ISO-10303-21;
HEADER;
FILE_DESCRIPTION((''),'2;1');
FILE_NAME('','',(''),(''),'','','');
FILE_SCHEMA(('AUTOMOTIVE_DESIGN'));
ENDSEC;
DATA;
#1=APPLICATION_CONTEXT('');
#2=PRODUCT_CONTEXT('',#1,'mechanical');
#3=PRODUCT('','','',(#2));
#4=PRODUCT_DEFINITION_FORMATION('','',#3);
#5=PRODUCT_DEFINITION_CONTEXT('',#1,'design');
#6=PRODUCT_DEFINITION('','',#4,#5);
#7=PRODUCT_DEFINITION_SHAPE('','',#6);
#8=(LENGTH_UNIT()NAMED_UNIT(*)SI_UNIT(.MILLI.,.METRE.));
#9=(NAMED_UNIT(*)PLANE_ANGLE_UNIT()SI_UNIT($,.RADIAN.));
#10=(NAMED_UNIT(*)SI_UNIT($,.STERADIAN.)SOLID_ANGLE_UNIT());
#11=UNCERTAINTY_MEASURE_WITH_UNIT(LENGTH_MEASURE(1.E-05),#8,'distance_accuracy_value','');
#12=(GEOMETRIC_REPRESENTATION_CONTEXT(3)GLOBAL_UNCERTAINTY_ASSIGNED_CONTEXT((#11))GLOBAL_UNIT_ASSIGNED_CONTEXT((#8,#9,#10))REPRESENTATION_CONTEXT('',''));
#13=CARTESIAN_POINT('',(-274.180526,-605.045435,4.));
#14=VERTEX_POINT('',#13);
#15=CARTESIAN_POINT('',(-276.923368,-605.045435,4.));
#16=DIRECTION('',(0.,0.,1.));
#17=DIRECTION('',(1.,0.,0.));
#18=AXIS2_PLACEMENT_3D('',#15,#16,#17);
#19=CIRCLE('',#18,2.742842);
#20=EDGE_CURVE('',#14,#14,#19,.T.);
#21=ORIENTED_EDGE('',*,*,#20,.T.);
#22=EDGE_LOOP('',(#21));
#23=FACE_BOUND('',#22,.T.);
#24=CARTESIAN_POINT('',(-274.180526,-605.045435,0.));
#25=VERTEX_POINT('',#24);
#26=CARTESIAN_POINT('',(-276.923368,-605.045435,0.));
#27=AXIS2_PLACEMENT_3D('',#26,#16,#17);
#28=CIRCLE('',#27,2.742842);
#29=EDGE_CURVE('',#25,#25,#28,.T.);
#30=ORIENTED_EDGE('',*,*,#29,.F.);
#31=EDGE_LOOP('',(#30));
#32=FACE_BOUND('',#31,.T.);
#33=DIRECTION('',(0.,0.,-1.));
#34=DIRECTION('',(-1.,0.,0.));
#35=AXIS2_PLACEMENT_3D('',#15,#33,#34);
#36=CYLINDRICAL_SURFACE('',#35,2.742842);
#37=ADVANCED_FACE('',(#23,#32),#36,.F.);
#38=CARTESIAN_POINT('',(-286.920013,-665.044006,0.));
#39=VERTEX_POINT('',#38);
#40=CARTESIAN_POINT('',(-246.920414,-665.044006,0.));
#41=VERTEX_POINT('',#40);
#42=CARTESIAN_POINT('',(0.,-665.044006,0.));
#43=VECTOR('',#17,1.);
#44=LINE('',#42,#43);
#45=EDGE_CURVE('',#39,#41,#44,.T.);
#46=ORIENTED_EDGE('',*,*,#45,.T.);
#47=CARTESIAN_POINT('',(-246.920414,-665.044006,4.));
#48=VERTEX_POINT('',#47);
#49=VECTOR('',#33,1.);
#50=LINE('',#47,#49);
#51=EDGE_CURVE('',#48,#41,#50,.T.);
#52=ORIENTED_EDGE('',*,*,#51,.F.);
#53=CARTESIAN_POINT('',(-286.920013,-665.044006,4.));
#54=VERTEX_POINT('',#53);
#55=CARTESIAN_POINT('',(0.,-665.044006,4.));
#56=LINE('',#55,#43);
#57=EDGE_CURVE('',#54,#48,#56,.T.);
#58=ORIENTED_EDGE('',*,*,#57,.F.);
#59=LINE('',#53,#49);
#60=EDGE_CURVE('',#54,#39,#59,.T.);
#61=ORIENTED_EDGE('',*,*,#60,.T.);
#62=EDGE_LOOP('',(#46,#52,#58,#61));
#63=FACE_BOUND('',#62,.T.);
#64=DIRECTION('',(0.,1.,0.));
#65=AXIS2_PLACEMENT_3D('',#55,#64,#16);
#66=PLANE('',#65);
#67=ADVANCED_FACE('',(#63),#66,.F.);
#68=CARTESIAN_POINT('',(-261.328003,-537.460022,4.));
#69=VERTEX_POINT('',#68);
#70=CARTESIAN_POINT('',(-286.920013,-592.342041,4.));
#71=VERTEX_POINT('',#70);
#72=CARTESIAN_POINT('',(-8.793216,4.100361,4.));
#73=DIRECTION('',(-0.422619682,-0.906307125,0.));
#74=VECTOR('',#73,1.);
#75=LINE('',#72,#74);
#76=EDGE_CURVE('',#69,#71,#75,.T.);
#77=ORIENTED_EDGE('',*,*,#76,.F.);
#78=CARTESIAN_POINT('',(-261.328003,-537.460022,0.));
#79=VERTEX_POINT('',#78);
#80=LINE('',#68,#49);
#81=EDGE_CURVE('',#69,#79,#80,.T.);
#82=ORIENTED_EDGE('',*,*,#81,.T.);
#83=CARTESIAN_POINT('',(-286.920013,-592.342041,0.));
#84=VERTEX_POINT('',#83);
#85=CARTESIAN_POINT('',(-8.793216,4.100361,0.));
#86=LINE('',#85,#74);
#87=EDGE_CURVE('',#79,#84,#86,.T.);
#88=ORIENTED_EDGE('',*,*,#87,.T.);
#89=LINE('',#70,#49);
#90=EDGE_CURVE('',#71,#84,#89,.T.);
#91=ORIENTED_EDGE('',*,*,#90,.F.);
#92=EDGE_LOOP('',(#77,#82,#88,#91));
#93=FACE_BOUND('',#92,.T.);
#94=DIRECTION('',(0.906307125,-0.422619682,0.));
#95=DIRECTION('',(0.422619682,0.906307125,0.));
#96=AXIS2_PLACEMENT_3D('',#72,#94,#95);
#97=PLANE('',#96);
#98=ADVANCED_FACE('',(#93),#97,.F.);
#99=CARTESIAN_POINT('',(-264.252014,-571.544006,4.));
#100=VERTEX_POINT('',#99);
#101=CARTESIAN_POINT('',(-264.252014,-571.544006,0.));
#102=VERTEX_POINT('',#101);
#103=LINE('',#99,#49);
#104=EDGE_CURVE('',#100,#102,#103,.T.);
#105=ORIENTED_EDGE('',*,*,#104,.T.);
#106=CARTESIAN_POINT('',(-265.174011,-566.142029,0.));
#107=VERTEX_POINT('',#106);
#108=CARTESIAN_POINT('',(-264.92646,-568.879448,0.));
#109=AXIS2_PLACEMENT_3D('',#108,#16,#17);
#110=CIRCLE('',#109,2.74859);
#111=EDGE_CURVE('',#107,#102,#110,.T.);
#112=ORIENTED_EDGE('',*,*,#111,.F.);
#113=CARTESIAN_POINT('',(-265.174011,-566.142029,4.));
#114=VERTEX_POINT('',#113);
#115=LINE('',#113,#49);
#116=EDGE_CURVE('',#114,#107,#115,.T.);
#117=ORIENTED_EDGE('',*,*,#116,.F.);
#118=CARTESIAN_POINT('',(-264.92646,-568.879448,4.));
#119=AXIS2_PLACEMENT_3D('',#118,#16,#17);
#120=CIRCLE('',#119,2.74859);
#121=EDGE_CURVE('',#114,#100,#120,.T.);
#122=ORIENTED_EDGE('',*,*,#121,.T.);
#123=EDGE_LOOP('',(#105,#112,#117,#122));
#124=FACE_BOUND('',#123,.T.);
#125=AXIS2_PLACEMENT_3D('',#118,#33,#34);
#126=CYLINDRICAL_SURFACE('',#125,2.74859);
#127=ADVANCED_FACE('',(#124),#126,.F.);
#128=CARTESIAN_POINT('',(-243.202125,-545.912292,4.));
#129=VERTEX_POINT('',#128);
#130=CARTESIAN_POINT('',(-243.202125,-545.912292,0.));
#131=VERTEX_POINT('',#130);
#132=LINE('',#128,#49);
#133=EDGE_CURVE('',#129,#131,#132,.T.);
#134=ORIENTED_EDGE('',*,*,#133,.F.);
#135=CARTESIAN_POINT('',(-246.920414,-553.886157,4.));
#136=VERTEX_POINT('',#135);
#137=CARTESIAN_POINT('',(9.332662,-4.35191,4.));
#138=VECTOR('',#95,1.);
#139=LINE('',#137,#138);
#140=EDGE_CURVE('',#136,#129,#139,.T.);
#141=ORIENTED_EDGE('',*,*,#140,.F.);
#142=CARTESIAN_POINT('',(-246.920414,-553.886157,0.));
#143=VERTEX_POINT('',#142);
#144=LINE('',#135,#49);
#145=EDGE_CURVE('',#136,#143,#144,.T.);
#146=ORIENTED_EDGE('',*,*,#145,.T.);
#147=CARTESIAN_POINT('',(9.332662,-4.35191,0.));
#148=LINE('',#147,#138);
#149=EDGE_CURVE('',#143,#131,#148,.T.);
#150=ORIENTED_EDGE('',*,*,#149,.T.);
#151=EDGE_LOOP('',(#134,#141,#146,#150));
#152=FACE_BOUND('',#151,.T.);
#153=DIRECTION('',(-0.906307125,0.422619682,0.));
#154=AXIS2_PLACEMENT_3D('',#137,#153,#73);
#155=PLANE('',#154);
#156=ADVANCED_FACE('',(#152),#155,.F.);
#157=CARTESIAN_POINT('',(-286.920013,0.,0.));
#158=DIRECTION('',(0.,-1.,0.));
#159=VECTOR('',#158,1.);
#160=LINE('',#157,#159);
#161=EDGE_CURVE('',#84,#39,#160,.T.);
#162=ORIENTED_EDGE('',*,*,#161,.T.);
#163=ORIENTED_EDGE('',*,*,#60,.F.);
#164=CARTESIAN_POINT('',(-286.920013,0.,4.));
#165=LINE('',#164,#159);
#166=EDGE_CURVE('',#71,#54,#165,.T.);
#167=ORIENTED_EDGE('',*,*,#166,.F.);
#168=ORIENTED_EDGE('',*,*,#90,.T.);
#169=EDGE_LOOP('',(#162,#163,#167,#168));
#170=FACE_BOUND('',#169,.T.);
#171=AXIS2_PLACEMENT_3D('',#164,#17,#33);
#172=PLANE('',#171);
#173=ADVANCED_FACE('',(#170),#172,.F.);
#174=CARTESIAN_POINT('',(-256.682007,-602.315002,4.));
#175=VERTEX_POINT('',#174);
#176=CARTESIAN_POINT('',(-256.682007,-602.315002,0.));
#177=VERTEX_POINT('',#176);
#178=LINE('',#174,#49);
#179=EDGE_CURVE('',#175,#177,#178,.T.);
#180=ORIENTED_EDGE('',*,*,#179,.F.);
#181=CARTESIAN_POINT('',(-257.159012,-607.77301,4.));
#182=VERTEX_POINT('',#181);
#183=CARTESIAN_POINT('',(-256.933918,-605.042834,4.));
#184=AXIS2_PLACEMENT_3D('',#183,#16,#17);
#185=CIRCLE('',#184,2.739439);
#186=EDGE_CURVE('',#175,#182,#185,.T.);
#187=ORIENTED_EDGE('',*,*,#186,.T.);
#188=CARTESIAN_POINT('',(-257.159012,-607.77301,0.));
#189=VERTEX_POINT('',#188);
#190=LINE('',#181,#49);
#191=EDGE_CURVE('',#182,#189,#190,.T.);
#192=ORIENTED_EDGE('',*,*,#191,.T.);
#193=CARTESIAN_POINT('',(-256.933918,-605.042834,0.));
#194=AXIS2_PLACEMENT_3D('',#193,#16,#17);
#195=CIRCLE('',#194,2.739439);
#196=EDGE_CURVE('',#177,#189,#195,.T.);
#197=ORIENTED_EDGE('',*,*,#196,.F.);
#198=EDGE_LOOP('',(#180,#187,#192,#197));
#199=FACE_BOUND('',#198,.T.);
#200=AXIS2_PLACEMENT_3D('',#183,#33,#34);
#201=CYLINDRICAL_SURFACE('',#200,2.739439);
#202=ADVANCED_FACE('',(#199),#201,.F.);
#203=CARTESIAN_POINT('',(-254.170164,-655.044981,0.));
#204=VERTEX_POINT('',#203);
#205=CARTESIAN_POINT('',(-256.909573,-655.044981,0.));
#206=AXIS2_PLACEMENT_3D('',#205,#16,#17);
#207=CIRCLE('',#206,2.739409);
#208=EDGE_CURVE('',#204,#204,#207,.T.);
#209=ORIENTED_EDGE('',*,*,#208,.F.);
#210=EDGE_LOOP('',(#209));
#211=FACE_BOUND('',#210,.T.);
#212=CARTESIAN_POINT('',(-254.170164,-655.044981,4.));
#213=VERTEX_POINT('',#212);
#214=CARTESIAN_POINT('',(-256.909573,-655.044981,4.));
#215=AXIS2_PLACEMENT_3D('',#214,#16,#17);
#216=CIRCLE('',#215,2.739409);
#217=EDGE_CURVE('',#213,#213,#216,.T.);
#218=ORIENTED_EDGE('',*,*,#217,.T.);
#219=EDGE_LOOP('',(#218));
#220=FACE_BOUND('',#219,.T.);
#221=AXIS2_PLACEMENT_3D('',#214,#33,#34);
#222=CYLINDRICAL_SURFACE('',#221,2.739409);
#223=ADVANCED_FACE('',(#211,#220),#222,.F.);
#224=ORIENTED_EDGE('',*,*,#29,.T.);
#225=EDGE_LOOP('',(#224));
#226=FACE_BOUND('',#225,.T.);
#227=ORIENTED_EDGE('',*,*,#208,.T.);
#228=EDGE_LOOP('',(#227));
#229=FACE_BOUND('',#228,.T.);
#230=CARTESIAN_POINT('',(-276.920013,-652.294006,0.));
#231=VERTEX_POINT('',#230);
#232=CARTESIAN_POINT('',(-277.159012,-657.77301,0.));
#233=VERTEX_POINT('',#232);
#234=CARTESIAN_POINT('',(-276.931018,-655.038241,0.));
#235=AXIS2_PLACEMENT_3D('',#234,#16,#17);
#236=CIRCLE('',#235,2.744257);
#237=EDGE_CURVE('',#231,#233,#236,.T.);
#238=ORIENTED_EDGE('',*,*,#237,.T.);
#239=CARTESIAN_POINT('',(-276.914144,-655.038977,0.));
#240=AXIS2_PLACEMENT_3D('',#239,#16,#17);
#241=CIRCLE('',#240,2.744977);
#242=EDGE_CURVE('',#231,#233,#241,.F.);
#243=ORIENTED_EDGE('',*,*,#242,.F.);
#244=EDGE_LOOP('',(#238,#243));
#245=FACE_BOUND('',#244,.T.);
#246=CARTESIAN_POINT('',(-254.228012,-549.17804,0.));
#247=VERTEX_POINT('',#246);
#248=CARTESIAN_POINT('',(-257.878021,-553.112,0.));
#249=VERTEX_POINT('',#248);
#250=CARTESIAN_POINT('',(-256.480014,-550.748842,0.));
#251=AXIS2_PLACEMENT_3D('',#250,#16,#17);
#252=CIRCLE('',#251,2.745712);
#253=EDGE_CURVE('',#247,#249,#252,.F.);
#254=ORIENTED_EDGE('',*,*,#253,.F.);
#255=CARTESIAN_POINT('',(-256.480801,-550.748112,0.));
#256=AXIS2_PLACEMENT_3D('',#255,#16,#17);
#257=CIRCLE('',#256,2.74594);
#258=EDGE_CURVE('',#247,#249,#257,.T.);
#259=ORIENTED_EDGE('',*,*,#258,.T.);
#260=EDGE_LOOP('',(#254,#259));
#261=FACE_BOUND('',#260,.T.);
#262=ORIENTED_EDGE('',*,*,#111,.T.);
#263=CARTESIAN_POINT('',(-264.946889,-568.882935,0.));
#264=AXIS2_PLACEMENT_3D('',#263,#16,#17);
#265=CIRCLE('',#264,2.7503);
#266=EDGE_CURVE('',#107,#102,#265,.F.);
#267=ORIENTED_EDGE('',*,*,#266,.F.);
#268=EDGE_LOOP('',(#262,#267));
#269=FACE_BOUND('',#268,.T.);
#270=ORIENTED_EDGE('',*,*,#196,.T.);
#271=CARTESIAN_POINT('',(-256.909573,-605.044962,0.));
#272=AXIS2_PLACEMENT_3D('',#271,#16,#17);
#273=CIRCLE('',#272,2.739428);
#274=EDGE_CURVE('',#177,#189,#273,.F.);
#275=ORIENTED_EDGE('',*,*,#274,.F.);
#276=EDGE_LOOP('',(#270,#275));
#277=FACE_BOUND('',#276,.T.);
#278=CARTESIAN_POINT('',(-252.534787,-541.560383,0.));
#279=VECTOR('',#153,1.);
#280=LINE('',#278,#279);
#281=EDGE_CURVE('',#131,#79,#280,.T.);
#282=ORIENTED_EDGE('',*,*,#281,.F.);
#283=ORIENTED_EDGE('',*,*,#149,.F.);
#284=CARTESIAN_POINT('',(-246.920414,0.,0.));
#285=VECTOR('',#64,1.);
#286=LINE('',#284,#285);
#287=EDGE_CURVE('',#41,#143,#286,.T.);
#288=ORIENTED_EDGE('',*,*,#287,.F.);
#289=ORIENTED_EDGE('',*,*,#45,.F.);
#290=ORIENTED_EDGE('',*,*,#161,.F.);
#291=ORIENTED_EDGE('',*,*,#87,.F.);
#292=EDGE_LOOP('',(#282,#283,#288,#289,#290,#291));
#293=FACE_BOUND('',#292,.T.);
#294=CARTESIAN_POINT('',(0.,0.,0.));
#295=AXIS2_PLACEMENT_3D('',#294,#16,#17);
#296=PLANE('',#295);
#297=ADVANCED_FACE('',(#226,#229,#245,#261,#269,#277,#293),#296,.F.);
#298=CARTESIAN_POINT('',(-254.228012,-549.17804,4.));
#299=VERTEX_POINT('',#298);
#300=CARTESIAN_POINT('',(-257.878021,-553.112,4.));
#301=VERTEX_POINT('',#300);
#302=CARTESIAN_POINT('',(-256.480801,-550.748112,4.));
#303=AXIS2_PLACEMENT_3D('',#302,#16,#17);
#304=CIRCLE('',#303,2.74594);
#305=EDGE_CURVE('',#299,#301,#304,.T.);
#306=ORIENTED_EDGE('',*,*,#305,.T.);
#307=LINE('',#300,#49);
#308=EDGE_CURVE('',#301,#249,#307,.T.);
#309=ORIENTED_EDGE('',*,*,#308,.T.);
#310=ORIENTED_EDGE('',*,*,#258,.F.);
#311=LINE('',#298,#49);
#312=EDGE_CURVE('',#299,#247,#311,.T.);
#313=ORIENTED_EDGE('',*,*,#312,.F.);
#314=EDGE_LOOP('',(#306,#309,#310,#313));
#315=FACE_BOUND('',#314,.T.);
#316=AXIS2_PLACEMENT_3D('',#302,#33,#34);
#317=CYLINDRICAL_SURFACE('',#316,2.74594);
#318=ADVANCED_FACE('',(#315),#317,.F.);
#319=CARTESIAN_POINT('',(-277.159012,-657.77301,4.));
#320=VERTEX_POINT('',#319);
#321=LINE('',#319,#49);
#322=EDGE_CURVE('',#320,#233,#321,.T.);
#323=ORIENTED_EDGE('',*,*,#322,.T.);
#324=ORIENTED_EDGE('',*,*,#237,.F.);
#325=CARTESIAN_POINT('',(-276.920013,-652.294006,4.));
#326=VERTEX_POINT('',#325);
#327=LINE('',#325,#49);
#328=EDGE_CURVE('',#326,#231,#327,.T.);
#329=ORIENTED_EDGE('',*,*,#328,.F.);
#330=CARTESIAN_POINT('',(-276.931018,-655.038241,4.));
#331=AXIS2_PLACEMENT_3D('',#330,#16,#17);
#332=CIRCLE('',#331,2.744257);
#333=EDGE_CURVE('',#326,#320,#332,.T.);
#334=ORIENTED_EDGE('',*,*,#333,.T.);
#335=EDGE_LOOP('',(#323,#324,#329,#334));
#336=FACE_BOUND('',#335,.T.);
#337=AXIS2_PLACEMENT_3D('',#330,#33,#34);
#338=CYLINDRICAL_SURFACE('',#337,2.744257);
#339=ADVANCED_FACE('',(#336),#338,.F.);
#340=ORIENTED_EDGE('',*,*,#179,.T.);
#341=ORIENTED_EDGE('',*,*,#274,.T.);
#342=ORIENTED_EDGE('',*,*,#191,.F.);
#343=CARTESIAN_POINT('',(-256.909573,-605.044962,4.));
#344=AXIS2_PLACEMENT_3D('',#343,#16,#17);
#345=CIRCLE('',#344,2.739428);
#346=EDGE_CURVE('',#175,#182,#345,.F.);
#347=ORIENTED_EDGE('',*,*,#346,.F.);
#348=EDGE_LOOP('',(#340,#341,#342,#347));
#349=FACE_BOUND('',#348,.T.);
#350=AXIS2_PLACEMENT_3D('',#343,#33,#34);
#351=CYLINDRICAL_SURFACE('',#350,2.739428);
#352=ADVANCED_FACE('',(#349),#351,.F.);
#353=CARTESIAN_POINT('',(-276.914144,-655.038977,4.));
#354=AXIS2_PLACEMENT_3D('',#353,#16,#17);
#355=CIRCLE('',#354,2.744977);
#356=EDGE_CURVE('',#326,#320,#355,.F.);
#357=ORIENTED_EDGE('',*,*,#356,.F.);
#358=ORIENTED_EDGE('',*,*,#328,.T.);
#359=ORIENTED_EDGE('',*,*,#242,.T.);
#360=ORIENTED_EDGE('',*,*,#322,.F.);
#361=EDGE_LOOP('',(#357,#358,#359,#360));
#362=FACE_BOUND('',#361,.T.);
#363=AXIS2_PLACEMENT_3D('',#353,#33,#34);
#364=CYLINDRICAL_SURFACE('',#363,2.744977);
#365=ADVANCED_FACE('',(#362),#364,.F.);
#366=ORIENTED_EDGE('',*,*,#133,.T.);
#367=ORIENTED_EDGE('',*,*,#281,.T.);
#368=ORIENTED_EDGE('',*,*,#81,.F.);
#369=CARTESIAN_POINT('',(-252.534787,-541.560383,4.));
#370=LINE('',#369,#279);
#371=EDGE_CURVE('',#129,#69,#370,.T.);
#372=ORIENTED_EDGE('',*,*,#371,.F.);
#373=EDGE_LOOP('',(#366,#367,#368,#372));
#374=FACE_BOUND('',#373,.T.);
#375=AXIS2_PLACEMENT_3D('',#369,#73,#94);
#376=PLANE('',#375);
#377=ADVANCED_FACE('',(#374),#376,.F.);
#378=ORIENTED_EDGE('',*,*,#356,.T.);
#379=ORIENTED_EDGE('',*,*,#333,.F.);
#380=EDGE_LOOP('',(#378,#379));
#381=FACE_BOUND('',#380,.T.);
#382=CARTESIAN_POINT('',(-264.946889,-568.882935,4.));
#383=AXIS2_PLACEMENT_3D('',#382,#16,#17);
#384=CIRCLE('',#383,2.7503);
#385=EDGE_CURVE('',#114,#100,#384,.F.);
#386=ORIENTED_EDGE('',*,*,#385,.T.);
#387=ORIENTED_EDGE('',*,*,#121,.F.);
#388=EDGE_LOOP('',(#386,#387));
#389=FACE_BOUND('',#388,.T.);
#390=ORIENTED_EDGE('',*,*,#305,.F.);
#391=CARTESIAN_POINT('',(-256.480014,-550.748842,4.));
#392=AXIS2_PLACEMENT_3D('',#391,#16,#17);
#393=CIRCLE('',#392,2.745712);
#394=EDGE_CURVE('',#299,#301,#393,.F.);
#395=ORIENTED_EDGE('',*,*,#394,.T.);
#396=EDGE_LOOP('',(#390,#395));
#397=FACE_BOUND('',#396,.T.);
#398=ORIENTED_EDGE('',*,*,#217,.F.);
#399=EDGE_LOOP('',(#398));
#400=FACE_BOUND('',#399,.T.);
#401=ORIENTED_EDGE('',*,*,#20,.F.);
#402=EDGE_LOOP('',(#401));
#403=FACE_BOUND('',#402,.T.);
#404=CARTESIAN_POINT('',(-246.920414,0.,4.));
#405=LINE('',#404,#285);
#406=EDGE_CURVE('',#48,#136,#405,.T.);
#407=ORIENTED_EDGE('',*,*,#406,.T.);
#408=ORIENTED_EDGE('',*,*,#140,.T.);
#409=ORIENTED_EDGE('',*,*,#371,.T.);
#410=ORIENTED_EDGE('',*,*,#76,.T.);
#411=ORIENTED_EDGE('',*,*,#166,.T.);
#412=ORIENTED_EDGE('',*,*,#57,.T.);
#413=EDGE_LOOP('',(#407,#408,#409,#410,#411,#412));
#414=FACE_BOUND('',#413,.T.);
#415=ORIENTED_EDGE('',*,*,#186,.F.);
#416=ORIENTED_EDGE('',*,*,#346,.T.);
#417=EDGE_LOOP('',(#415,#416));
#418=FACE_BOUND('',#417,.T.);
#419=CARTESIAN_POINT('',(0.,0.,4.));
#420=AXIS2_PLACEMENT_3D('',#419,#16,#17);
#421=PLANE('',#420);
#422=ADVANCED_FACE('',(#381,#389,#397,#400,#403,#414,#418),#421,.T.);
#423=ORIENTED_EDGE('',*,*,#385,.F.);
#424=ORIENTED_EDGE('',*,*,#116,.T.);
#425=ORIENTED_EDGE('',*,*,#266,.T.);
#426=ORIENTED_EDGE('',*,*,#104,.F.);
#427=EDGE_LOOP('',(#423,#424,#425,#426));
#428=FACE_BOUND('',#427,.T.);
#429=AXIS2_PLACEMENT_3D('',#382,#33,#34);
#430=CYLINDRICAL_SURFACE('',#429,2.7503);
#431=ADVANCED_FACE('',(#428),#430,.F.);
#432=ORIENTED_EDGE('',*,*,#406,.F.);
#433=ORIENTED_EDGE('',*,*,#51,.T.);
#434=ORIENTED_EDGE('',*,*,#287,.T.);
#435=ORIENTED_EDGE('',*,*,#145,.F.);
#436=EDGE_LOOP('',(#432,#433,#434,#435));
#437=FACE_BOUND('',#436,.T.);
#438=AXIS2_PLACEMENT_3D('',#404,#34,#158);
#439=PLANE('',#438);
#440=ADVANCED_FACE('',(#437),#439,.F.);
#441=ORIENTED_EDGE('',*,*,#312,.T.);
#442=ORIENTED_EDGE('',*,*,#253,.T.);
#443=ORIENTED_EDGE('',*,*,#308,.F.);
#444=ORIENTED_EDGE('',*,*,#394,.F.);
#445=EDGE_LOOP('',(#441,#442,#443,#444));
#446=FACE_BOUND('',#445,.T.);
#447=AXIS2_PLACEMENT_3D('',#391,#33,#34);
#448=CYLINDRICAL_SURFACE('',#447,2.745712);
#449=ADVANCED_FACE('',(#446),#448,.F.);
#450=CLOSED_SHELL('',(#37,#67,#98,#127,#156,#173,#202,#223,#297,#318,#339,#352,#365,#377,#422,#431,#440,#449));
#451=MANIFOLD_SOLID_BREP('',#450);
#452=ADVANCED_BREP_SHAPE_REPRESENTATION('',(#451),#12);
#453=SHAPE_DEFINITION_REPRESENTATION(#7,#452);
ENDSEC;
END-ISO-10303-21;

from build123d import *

# Parameters (mm, degrees)
BOSS_EXTRUDE1_DEPTH = 4


with BuildPart() as part:
    # Sketch2 → Boss-Extrude1 (new body)
    with BuildSketch(Plane.XY):
        Polygon((-243.202124872, -545.912292309), (-261.32800293, -537.460021973), (-286.920013428, -592.342041016), (-286.920013428, -665.044006348), (-246.92041444, -665.044006348), (-246.92041444, -553.886157392), align=None)
        with BuildLine():
            ThreePointArc((-256.682006836, -652.315040871), (-259.638579462, -654.80647695), (-257.159011841, -657.773010254))
            ThreePointArc((-257.159011841, -657.773010254), (-254.180566252, -655.283485786), (-256.682006836, -652.315040871))
        make_face(mode=Mode.SUBTRACT)
        with BuildLine():
            ThreePointArc((-276.920013428, -652.294006348), (-279.672667512, -654.918648036), (-277.159011841, -657.773010254))
            ThreePointArc((-277.159011841, -657.773010254), (-274.171775379, -655.158601231), (-276.920013428, -652.294006348))
        make_face(mode=Mode.SUBTRACT)
        with BuildLine():
            ThreePointArc((-276.136016846, -602.418029785), (-279.582956118, -604.374783929), (-277.476013184, -607.732025146))
            ThreePointArc((-277.476013184, -607.732025146), (-274.263780083, -605.716086644), (-276.136016846, -602.418029785))
        make_face(mode=Mode.SUBTRACT)
        with BuildLine():
            ThreePointArc((-256.682006836, -602.315002441), (-259.662954971, -604.8043291), (-257.159011841, -607.773010254))
            ThreePointArc((-257.159011841, -607.773010254), (-254.180547037, -605.283466564), (-256.682006836, -602.315002441))
        make_face(mode=Mode.SUBTRACT)
        with BuildLine():
            ThreePointArc((-265.17401123, -566.142028809), (-267.635869624, -569.341884059), (-264.25201416, -571.544006348))
            ThreePointArc((-264.25201416, -571.544006348), (-262.235793714, -568.420211554), (-265.17401123, -566.142028809))
        make_face(mode=Mode.SUBTRACT)
        with BuildLine():
            ThreePointArc((-254.228012085, -549.178039551), (-258.493761484, -548.880446167), (-257.878021241, -553.111999511))
            ThreePointArc((-257.878021241, -553.111999511), (-254.467220991, -552.616353449), (-254.228012085, -549.178039551))
        make_face(mode=Mode.SUBTRACT)
    extrude(amount=BOSS_EXTRUDE1_DEPTH)


solid = part.part
